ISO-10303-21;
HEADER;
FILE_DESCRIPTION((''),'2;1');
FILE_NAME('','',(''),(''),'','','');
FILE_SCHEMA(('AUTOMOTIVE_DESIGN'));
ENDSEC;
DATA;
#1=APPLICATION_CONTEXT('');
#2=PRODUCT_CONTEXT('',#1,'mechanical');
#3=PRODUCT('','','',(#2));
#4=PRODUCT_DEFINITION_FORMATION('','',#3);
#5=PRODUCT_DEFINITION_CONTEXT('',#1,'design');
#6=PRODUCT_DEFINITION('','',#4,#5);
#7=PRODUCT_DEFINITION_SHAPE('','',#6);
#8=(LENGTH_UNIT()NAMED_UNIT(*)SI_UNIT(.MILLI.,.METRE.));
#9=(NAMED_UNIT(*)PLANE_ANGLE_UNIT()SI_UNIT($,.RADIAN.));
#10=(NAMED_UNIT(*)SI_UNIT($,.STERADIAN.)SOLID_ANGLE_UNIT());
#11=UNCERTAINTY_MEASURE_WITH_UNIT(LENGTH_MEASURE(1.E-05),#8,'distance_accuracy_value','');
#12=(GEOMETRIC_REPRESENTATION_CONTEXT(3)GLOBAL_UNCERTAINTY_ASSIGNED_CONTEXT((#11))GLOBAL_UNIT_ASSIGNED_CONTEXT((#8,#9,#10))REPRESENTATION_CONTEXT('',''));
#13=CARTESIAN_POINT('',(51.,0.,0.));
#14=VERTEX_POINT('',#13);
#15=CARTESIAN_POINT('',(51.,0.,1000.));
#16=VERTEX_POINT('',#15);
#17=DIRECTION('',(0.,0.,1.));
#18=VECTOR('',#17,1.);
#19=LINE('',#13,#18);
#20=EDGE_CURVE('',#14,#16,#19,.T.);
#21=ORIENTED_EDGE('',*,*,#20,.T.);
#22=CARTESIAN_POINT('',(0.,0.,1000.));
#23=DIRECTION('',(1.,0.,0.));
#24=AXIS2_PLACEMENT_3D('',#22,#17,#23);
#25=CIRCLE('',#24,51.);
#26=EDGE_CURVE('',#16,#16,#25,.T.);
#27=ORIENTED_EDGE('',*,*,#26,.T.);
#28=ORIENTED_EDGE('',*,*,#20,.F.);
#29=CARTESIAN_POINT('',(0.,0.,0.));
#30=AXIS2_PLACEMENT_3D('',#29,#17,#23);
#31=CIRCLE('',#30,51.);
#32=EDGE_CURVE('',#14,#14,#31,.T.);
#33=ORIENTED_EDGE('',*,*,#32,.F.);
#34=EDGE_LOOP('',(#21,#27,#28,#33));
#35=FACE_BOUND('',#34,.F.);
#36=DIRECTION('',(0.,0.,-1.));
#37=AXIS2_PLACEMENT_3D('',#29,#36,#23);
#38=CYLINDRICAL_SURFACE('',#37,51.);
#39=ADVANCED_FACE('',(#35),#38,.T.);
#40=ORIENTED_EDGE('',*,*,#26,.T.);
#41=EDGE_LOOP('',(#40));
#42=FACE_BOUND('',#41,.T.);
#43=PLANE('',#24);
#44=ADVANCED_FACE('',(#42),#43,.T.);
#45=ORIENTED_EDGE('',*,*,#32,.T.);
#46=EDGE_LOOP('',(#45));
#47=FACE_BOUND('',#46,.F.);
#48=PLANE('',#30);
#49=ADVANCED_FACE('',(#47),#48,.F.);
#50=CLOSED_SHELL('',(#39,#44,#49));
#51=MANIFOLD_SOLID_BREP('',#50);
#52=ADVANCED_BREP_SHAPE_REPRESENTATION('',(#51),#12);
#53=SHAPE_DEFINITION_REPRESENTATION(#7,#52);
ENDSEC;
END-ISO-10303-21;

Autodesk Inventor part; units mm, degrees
ref_plane "YZ Plane" through (0, 0, 0) normal (1, 0, 0) x (0, 1, 0)
ref_plane "XZ Plane" through (0, 0, 0) normal (0, 1, 0) x (-1, 0, 0)
ref_plane "XY Plane" through (0, 0, 0) normal (0, 0, 1) x (1, 0, 0)
sketch "Sketch1" plane through (0, 0, 0) normal (0, 0, 1) x (1, 0, 0)
  circle A0 centre (0, 0) radius 51
  dimension "d0" = 102
extrude "Extrusion1" add sketch "Sketch1" along normal blind 1000
properties part number "lampione" material "Steel, Galvanized"
